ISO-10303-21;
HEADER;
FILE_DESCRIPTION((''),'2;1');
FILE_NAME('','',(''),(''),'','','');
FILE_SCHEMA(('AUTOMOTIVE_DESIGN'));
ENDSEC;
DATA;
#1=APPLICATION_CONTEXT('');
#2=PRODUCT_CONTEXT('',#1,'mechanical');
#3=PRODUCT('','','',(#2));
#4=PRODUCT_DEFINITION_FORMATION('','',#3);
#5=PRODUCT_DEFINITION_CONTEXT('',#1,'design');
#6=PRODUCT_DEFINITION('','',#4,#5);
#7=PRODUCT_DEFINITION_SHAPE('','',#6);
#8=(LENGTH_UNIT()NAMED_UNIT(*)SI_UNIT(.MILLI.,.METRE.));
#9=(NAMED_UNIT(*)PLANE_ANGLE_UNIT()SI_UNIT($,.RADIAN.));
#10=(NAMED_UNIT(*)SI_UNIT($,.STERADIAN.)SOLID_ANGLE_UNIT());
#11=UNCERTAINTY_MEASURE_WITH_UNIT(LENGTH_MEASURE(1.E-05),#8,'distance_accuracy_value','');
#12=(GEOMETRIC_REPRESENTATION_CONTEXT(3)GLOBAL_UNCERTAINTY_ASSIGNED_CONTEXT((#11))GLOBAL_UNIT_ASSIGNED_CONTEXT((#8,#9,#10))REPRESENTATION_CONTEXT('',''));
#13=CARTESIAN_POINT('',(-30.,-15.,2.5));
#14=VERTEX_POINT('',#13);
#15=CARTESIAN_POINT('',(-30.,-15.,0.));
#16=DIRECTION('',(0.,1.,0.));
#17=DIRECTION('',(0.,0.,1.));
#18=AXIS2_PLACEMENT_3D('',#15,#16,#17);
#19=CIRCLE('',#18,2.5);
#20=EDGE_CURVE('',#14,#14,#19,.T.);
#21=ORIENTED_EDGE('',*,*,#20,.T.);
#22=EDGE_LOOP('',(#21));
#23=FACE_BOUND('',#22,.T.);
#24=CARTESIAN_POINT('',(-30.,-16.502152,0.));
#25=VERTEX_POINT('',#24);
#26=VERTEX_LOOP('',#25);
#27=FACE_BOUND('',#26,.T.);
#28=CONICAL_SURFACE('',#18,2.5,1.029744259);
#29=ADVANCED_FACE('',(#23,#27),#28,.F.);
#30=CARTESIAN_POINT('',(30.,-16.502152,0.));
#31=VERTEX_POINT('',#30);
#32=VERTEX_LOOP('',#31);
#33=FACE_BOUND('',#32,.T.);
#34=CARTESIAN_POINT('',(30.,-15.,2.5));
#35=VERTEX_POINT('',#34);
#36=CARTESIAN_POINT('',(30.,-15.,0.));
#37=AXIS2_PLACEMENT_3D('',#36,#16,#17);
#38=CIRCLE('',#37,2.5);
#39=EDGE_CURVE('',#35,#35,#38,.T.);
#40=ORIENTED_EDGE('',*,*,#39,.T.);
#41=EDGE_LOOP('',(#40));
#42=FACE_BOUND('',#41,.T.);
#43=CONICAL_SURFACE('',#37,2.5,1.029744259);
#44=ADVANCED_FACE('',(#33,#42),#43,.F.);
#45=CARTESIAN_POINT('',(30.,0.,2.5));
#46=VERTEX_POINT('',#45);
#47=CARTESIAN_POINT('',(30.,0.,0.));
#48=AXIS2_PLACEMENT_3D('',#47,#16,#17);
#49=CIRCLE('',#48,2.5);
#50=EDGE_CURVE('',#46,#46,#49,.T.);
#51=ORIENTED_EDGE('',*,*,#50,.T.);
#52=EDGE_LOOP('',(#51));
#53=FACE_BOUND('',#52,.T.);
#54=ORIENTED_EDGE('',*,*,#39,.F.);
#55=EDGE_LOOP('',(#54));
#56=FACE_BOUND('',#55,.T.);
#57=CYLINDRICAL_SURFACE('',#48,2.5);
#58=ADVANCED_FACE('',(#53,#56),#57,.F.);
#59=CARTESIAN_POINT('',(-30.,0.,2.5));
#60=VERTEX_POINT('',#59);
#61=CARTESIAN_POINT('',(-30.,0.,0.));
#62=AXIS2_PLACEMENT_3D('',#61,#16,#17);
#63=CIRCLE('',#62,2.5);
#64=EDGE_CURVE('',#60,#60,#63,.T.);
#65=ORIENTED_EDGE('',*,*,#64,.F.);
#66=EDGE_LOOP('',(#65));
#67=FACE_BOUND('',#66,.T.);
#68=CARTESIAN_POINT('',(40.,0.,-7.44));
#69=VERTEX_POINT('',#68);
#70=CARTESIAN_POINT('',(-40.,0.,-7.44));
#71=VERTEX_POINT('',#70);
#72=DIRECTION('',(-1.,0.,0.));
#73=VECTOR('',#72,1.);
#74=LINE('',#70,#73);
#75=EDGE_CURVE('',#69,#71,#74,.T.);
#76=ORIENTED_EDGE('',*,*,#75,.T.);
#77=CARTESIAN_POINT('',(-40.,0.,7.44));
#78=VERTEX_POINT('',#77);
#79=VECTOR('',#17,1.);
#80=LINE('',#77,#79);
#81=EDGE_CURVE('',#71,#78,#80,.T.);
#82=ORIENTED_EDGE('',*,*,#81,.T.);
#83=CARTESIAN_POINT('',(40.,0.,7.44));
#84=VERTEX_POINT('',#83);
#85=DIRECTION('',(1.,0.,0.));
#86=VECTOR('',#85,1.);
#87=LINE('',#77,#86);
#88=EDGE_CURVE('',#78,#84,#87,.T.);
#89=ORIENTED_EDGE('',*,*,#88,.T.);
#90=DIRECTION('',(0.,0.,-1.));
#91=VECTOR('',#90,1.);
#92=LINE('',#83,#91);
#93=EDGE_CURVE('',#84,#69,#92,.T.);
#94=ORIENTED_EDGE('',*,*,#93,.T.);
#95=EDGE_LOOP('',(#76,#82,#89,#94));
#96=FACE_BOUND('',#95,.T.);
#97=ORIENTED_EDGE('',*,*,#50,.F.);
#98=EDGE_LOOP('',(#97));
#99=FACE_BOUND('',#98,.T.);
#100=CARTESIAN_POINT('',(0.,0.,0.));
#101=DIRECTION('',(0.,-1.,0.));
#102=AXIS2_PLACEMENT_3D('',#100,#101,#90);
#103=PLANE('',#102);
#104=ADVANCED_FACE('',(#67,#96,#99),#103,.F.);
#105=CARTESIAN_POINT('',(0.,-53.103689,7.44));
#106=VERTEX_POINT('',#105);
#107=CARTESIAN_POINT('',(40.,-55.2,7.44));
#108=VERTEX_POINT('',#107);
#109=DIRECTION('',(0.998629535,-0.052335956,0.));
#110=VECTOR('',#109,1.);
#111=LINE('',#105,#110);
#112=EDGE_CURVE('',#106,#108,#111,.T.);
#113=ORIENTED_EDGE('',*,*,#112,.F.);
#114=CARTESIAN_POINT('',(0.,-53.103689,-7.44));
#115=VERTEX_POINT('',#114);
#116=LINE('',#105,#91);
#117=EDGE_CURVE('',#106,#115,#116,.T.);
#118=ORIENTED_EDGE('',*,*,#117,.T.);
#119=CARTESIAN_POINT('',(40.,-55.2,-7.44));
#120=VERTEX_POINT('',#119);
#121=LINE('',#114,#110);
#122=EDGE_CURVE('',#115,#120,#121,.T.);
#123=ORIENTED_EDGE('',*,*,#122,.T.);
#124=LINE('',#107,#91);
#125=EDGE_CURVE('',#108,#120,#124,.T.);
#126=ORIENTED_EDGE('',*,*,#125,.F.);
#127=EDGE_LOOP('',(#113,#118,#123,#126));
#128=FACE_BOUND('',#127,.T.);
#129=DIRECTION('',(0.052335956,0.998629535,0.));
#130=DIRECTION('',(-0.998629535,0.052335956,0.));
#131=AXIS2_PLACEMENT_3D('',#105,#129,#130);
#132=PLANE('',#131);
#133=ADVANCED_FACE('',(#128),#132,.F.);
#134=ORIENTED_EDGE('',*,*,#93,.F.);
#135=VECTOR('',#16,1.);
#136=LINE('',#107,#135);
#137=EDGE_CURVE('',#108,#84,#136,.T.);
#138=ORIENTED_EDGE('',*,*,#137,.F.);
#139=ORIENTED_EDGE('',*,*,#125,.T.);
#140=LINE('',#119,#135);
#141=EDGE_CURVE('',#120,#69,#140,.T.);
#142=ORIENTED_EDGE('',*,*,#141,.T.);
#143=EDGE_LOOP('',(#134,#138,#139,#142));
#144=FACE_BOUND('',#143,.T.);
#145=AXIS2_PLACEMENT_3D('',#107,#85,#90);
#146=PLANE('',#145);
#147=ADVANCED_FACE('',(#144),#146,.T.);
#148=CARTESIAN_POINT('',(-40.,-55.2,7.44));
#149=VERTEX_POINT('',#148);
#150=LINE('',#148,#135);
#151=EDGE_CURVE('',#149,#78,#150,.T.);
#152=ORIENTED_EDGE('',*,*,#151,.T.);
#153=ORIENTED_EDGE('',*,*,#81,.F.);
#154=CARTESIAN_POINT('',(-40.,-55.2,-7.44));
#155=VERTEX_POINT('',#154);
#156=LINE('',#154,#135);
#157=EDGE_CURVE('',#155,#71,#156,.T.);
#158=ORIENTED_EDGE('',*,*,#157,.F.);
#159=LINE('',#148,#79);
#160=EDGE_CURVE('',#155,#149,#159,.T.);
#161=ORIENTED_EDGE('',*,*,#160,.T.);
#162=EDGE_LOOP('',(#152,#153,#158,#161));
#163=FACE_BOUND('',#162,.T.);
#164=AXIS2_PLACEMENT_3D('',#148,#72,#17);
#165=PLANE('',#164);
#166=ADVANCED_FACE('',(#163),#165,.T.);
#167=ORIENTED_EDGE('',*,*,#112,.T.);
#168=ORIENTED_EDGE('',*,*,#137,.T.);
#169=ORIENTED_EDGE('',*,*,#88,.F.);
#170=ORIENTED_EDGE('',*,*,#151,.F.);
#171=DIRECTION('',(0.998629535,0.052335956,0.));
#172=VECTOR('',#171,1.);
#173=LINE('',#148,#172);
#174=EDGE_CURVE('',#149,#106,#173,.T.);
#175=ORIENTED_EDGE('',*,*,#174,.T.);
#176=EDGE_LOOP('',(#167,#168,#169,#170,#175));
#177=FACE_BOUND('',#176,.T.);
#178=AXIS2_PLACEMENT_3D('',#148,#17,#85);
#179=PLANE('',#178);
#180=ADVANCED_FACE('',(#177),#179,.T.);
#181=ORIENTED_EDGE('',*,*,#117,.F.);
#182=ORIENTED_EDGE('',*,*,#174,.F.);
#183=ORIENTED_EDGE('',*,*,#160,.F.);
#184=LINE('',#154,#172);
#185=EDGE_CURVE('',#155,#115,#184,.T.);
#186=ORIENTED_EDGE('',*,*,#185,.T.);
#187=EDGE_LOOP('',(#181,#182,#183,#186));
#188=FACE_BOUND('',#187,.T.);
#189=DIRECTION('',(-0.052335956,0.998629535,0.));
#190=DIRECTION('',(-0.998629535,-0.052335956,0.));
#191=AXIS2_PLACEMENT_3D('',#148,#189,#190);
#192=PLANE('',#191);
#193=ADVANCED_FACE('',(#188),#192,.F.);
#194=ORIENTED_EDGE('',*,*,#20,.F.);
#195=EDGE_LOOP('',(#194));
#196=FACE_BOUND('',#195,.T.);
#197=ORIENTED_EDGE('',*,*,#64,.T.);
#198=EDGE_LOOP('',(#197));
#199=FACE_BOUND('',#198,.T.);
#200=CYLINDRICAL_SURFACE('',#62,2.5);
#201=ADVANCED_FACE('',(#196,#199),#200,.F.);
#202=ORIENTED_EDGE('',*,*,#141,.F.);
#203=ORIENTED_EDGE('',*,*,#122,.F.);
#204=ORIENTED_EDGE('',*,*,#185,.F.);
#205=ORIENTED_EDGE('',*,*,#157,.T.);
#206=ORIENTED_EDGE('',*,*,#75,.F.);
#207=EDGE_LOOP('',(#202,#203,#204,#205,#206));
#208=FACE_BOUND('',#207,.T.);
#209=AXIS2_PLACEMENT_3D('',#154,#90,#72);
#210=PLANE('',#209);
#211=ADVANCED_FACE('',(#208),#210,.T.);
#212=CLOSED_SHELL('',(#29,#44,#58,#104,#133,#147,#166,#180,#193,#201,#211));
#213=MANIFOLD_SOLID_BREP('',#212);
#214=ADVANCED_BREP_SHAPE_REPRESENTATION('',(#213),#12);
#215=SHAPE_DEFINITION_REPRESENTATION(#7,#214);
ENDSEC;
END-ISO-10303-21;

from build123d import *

# Parameters (mm, degrees)
SKETCH1_W             = 80
SKETCH1_H             = 14.88
BOSS_EXTRUDE1_DEPTH   = 55.2
CUT_EXTRUDE1_DEPTH    = 70.774310459
M6_TAPPED_HOLE1_D     = 5
M6_TAPPED_HOLE1_DEPTH = 15
M6_TAPPED_HOLE1_TIP   = 1.502151548


with BuildPart() as part:
    # Sketch1 → Boss-Extrude1 (new body)
    with BuildSketch(Plane(origin=(0, 0, 0), x_dir=(1, 0, 0), z_dir=(0, 1, 0))):
        Rectangle(SKETCH1_W, SKETCH1_H)
    extrude(amount=-BOSS_EXTRUDE1_DEPTH)

    # Sketch3 → Cut-Extrude1 (cut, through all)
    with BuildSketch(Plane(origin=(0, 0, -7.44), x_dir=(-1, 0, 0), z_dir=(0, 0, -1))):
        Polygon((40, -55.2), (0, -53.103688829), (-40, -55.2), align=None)
    extrude(amount=-CUT_EXTRUDE1_DEPTH, mode=Mode.SUBTRACT)

    # M6 Tapped Hole1
    with Locations(Plane(origin=(0, 0, 0), x_dir=(1, 0, 0), z_dir=(0, 1, 0))):
        with Locations((-30, 0), (30, 0)):
            Hole(M6_TAPPED_HOLE1_D / 2, depth=M6_TAPPED_HOLE1_DEPTH)
            with Locations((0, 0, -(M6_TAPPED_HOLE1_DEPTH + M6_TAPPED_HOLE1_TIP / 2))):  # 118° drill point
                Cone(0, M6_TAPPED_HOLE1_D / 2, M6_TAPPED_HOLE1_TIP, mode=Mode.SUBTRACT)


solid = part.part
